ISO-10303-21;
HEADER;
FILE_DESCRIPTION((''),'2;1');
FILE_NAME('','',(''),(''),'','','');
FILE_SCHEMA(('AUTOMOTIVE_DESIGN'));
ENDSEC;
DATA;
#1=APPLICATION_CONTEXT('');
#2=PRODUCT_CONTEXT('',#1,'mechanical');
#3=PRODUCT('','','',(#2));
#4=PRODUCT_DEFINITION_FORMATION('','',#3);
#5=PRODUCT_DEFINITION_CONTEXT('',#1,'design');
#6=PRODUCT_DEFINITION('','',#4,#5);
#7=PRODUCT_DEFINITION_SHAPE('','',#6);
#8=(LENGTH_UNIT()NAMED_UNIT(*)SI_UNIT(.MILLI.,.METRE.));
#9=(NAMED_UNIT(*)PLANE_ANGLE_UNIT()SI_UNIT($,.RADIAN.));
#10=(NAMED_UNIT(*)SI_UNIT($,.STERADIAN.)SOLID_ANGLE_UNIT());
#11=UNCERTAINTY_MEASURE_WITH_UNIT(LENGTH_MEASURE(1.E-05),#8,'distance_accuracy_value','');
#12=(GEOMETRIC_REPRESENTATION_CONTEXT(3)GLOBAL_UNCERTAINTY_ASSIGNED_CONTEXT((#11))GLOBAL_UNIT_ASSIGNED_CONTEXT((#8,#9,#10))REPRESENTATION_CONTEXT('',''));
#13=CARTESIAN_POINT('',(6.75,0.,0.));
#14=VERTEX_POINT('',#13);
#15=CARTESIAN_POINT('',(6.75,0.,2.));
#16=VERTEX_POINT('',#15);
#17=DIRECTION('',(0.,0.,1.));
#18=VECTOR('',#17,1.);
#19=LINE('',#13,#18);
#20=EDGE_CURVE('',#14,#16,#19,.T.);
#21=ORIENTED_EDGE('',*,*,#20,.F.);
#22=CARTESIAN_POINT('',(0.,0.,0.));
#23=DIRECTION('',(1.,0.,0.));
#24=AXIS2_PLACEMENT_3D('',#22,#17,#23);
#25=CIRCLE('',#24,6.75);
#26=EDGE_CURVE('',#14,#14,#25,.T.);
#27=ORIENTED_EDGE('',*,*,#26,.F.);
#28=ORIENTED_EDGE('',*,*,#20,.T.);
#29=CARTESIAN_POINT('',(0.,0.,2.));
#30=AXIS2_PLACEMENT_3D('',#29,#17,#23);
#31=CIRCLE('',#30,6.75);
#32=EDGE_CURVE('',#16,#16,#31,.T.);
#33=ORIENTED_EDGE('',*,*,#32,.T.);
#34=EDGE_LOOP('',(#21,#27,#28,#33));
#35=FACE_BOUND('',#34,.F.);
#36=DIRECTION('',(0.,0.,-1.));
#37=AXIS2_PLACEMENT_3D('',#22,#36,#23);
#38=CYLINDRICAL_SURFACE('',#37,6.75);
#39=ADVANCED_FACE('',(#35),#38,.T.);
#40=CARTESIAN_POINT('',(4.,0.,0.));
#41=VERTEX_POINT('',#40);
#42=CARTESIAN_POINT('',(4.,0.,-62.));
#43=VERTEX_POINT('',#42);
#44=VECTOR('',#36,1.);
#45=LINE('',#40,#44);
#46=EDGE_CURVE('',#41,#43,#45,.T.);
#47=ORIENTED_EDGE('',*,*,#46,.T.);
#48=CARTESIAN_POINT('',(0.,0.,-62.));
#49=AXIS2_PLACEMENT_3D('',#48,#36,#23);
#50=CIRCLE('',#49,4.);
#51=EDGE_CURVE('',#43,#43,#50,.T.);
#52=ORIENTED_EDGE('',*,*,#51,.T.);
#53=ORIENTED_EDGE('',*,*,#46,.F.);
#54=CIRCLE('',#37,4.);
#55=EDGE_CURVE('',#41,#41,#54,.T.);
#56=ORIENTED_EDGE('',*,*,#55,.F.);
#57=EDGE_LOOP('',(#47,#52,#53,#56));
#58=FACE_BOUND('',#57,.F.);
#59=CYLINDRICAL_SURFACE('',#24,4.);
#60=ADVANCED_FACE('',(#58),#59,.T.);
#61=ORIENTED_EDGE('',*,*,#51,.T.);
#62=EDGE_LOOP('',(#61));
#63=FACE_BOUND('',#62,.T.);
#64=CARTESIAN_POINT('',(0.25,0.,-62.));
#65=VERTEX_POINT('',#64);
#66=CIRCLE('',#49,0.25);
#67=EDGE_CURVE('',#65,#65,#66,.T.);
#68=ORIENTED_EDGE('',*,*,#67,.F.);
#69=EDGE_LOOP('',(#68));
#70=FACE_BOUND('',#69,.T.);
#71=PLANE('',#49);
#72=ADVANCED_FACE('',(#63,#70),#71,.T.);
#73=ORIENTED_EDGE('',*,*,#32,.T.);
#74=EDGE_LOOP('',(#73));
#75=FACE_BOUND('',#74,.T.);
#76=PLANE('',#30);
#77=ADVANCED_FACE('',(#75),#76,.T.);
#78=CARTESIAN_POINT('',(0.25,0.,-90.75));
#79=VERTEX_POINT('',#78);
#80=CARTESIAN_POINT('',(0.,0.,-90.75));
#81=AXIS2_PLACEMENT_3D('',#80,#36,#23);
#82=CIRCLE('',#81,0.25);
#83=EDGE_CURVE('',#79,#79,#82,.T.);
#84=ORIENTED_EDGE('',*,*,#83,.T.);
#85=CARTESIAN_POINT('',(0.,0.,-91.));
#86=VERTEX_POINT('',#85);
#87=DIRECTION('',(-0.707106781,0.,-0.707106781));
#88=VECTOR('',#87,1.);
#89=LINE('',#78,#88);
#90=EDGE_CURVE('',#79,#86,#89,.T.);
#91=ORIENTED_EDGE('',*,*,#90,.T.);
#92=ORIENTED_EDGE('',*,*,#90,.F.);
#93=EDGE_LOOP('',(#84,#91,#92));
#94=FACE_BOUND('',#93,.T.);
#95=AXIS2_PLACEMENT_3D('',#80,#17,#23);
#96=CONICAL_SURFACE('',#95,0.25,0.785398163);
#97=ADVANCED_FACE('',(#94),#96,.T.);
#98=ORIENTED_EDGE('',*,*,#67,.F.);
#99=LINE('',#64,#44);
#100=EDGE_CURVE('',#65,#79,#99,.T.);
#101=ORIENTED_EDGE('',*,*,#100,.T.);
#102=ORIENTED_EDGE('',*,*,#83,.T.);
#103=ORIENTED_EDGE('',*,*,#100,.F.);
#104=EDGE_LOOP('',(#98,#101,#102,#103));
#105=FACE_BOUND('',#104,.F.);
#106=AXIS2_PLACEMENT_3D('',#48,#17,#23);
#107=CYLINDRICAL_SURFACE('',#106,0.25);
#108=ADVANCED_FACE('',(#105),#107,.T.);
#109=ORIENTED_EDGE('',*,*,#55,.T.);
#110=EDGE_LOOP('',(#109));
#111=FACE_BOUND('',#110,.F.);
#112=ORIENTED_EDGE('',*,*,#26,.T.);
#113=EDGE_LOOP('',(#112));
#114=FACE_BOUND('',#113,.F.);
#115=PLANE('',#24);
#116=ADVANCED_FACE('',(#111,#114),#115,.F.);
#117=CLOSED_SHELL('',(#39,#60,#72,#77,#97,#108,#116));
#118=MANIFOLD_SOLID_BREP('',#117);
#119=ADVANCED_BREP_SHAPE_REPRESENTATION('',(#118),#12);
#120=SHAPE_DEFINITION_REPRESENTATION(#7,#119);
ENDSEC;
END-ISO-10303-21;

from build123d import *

# Parameters (mm, degrees)
F0_R     = 6.75
F1_DEPTH = 2
F2_R     = 4
F3_DEPTH = 62
F4_R     = 0.25
F5_DEPTH = 29
F6_SIZE  = 0.25


with BuildPart() as f1:
    # F0 (on Top) → F1 (new body)
    with BuildSketch(Plane.XY):
        Circle(F0_R)
    extrude(amount=F1_DEPTH)

    # F2 (on face) → F3 (join)
    with BuildSketch(Plane(origin=(0, 0, 0), x_dir=(1, 0, 0), z_dir=(0, 0, -1))):
        Circle(F2_R)
    extrude(amount=F3_DEPTH)

    # F4 (on face) → F5 (join)
    with BuildSketch(Plane(origin=(0, 0, -62), x_dir=(1, 0, 0), z_dir=(0, 0, -1))):
        Circle(F4_R)
    extrude(amount=F5_DEPTH)

    # F6
    f6_edges = [f1.edges().sort_by_distance(p)[0] for p in [
        (-0.25, 0, -91),
    ]]
    chamfer(f6_edges, length=F6_SIZE)


solid = f1.part
